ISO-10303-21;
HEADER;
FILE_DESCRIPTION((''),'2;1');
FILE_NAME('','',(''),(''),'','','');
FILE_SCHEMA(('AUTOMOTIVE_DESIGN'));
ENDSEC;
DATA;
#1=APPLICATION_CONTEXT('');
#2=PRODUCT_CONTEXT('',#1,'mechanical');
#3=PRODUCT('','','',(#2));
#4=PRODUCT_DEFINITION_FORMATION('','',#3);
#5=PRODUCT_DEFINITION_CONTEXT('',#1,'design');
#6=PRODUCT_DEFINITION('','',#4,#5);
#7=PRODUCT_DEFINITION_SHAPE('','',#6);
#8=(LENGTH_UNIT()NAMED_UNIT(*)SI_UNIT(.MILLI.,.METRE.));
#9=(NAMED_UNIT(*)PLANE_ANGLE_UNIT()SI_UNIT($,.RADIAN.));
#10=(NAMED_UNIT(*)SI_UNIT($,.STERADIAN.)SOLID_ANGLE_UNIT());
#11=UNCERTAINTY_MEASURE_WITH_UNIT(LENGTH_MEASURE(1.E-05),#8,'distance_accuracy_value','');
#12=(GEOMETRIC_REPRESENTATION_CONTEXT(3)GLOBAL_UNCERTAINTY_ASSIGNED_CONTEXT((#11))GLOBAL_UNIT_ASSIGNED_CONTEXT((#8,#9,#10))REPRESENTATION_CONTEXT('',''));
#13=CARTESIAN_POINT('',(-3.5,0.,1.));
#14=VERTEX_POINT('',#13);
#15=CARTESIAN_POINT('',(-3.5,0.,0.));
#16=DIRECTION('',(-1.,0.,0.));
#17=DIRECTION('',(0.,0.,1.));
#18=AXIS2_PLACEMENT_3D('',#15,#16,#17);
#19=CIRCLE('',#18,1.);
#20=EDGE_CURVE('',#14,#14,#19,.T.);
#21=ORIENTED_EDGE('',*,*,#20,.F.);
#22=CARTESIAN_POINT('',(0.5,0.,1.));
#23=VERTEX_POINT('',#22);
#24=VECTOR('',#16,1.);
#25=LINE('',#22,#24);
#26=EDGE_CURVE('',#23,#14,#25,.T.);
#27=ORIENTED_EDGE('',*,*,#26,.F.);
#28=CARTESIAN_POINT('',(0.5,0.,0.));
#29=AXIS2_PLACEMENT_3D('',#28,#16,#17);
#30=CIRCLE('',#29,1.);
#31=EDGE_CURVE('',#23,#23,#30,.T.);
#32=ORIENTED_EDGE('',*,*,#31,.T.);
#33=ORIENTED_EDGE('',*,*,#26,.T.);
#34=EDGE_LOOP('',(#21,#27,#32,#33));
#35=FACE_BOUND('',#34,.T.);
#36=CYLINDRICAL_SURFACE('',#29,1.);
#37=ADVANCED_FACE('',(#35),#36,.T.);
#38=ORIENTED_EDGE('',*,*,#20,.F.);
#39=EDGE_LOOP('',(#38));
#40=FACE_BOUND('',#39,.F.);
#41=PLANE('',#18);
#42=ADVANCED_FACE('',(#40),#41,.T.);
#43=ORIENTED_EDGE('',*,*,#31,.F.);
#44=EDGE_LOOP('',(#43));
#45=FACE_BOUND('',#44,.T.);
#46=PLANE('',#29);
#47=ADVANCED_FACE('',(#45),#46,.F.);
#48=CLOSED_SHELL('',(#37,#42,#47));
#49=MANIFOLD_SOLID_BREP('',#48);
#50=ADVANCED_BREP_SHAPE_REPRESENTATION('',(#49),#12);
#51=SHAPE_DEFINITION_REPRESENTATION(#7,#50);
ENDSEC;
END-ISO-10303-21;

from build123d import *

# Parameters (mm, degrees)
F0_W   = 3
F0_H   = 1
F0_W_2 = 0.5


with BuildPart() as f1:
    # F0 (on Front) → F1 (revolve)
    with BuildSketch(Plane.XZ):
        with Locations((-1.5, 0.5)):
            Rectangle(F0_W, F0_H)
        with Locations((-3.25, 0.5)):
            Rectangle(F0_W_2, F0_H)
        with Locations((0.25, 0.5)):
            Rectangle(F0_W_2, F0_H)
    revolve(axis=Axis((-1.5, 0, 0), (-1, 0, 0)))


solid = f1.part
